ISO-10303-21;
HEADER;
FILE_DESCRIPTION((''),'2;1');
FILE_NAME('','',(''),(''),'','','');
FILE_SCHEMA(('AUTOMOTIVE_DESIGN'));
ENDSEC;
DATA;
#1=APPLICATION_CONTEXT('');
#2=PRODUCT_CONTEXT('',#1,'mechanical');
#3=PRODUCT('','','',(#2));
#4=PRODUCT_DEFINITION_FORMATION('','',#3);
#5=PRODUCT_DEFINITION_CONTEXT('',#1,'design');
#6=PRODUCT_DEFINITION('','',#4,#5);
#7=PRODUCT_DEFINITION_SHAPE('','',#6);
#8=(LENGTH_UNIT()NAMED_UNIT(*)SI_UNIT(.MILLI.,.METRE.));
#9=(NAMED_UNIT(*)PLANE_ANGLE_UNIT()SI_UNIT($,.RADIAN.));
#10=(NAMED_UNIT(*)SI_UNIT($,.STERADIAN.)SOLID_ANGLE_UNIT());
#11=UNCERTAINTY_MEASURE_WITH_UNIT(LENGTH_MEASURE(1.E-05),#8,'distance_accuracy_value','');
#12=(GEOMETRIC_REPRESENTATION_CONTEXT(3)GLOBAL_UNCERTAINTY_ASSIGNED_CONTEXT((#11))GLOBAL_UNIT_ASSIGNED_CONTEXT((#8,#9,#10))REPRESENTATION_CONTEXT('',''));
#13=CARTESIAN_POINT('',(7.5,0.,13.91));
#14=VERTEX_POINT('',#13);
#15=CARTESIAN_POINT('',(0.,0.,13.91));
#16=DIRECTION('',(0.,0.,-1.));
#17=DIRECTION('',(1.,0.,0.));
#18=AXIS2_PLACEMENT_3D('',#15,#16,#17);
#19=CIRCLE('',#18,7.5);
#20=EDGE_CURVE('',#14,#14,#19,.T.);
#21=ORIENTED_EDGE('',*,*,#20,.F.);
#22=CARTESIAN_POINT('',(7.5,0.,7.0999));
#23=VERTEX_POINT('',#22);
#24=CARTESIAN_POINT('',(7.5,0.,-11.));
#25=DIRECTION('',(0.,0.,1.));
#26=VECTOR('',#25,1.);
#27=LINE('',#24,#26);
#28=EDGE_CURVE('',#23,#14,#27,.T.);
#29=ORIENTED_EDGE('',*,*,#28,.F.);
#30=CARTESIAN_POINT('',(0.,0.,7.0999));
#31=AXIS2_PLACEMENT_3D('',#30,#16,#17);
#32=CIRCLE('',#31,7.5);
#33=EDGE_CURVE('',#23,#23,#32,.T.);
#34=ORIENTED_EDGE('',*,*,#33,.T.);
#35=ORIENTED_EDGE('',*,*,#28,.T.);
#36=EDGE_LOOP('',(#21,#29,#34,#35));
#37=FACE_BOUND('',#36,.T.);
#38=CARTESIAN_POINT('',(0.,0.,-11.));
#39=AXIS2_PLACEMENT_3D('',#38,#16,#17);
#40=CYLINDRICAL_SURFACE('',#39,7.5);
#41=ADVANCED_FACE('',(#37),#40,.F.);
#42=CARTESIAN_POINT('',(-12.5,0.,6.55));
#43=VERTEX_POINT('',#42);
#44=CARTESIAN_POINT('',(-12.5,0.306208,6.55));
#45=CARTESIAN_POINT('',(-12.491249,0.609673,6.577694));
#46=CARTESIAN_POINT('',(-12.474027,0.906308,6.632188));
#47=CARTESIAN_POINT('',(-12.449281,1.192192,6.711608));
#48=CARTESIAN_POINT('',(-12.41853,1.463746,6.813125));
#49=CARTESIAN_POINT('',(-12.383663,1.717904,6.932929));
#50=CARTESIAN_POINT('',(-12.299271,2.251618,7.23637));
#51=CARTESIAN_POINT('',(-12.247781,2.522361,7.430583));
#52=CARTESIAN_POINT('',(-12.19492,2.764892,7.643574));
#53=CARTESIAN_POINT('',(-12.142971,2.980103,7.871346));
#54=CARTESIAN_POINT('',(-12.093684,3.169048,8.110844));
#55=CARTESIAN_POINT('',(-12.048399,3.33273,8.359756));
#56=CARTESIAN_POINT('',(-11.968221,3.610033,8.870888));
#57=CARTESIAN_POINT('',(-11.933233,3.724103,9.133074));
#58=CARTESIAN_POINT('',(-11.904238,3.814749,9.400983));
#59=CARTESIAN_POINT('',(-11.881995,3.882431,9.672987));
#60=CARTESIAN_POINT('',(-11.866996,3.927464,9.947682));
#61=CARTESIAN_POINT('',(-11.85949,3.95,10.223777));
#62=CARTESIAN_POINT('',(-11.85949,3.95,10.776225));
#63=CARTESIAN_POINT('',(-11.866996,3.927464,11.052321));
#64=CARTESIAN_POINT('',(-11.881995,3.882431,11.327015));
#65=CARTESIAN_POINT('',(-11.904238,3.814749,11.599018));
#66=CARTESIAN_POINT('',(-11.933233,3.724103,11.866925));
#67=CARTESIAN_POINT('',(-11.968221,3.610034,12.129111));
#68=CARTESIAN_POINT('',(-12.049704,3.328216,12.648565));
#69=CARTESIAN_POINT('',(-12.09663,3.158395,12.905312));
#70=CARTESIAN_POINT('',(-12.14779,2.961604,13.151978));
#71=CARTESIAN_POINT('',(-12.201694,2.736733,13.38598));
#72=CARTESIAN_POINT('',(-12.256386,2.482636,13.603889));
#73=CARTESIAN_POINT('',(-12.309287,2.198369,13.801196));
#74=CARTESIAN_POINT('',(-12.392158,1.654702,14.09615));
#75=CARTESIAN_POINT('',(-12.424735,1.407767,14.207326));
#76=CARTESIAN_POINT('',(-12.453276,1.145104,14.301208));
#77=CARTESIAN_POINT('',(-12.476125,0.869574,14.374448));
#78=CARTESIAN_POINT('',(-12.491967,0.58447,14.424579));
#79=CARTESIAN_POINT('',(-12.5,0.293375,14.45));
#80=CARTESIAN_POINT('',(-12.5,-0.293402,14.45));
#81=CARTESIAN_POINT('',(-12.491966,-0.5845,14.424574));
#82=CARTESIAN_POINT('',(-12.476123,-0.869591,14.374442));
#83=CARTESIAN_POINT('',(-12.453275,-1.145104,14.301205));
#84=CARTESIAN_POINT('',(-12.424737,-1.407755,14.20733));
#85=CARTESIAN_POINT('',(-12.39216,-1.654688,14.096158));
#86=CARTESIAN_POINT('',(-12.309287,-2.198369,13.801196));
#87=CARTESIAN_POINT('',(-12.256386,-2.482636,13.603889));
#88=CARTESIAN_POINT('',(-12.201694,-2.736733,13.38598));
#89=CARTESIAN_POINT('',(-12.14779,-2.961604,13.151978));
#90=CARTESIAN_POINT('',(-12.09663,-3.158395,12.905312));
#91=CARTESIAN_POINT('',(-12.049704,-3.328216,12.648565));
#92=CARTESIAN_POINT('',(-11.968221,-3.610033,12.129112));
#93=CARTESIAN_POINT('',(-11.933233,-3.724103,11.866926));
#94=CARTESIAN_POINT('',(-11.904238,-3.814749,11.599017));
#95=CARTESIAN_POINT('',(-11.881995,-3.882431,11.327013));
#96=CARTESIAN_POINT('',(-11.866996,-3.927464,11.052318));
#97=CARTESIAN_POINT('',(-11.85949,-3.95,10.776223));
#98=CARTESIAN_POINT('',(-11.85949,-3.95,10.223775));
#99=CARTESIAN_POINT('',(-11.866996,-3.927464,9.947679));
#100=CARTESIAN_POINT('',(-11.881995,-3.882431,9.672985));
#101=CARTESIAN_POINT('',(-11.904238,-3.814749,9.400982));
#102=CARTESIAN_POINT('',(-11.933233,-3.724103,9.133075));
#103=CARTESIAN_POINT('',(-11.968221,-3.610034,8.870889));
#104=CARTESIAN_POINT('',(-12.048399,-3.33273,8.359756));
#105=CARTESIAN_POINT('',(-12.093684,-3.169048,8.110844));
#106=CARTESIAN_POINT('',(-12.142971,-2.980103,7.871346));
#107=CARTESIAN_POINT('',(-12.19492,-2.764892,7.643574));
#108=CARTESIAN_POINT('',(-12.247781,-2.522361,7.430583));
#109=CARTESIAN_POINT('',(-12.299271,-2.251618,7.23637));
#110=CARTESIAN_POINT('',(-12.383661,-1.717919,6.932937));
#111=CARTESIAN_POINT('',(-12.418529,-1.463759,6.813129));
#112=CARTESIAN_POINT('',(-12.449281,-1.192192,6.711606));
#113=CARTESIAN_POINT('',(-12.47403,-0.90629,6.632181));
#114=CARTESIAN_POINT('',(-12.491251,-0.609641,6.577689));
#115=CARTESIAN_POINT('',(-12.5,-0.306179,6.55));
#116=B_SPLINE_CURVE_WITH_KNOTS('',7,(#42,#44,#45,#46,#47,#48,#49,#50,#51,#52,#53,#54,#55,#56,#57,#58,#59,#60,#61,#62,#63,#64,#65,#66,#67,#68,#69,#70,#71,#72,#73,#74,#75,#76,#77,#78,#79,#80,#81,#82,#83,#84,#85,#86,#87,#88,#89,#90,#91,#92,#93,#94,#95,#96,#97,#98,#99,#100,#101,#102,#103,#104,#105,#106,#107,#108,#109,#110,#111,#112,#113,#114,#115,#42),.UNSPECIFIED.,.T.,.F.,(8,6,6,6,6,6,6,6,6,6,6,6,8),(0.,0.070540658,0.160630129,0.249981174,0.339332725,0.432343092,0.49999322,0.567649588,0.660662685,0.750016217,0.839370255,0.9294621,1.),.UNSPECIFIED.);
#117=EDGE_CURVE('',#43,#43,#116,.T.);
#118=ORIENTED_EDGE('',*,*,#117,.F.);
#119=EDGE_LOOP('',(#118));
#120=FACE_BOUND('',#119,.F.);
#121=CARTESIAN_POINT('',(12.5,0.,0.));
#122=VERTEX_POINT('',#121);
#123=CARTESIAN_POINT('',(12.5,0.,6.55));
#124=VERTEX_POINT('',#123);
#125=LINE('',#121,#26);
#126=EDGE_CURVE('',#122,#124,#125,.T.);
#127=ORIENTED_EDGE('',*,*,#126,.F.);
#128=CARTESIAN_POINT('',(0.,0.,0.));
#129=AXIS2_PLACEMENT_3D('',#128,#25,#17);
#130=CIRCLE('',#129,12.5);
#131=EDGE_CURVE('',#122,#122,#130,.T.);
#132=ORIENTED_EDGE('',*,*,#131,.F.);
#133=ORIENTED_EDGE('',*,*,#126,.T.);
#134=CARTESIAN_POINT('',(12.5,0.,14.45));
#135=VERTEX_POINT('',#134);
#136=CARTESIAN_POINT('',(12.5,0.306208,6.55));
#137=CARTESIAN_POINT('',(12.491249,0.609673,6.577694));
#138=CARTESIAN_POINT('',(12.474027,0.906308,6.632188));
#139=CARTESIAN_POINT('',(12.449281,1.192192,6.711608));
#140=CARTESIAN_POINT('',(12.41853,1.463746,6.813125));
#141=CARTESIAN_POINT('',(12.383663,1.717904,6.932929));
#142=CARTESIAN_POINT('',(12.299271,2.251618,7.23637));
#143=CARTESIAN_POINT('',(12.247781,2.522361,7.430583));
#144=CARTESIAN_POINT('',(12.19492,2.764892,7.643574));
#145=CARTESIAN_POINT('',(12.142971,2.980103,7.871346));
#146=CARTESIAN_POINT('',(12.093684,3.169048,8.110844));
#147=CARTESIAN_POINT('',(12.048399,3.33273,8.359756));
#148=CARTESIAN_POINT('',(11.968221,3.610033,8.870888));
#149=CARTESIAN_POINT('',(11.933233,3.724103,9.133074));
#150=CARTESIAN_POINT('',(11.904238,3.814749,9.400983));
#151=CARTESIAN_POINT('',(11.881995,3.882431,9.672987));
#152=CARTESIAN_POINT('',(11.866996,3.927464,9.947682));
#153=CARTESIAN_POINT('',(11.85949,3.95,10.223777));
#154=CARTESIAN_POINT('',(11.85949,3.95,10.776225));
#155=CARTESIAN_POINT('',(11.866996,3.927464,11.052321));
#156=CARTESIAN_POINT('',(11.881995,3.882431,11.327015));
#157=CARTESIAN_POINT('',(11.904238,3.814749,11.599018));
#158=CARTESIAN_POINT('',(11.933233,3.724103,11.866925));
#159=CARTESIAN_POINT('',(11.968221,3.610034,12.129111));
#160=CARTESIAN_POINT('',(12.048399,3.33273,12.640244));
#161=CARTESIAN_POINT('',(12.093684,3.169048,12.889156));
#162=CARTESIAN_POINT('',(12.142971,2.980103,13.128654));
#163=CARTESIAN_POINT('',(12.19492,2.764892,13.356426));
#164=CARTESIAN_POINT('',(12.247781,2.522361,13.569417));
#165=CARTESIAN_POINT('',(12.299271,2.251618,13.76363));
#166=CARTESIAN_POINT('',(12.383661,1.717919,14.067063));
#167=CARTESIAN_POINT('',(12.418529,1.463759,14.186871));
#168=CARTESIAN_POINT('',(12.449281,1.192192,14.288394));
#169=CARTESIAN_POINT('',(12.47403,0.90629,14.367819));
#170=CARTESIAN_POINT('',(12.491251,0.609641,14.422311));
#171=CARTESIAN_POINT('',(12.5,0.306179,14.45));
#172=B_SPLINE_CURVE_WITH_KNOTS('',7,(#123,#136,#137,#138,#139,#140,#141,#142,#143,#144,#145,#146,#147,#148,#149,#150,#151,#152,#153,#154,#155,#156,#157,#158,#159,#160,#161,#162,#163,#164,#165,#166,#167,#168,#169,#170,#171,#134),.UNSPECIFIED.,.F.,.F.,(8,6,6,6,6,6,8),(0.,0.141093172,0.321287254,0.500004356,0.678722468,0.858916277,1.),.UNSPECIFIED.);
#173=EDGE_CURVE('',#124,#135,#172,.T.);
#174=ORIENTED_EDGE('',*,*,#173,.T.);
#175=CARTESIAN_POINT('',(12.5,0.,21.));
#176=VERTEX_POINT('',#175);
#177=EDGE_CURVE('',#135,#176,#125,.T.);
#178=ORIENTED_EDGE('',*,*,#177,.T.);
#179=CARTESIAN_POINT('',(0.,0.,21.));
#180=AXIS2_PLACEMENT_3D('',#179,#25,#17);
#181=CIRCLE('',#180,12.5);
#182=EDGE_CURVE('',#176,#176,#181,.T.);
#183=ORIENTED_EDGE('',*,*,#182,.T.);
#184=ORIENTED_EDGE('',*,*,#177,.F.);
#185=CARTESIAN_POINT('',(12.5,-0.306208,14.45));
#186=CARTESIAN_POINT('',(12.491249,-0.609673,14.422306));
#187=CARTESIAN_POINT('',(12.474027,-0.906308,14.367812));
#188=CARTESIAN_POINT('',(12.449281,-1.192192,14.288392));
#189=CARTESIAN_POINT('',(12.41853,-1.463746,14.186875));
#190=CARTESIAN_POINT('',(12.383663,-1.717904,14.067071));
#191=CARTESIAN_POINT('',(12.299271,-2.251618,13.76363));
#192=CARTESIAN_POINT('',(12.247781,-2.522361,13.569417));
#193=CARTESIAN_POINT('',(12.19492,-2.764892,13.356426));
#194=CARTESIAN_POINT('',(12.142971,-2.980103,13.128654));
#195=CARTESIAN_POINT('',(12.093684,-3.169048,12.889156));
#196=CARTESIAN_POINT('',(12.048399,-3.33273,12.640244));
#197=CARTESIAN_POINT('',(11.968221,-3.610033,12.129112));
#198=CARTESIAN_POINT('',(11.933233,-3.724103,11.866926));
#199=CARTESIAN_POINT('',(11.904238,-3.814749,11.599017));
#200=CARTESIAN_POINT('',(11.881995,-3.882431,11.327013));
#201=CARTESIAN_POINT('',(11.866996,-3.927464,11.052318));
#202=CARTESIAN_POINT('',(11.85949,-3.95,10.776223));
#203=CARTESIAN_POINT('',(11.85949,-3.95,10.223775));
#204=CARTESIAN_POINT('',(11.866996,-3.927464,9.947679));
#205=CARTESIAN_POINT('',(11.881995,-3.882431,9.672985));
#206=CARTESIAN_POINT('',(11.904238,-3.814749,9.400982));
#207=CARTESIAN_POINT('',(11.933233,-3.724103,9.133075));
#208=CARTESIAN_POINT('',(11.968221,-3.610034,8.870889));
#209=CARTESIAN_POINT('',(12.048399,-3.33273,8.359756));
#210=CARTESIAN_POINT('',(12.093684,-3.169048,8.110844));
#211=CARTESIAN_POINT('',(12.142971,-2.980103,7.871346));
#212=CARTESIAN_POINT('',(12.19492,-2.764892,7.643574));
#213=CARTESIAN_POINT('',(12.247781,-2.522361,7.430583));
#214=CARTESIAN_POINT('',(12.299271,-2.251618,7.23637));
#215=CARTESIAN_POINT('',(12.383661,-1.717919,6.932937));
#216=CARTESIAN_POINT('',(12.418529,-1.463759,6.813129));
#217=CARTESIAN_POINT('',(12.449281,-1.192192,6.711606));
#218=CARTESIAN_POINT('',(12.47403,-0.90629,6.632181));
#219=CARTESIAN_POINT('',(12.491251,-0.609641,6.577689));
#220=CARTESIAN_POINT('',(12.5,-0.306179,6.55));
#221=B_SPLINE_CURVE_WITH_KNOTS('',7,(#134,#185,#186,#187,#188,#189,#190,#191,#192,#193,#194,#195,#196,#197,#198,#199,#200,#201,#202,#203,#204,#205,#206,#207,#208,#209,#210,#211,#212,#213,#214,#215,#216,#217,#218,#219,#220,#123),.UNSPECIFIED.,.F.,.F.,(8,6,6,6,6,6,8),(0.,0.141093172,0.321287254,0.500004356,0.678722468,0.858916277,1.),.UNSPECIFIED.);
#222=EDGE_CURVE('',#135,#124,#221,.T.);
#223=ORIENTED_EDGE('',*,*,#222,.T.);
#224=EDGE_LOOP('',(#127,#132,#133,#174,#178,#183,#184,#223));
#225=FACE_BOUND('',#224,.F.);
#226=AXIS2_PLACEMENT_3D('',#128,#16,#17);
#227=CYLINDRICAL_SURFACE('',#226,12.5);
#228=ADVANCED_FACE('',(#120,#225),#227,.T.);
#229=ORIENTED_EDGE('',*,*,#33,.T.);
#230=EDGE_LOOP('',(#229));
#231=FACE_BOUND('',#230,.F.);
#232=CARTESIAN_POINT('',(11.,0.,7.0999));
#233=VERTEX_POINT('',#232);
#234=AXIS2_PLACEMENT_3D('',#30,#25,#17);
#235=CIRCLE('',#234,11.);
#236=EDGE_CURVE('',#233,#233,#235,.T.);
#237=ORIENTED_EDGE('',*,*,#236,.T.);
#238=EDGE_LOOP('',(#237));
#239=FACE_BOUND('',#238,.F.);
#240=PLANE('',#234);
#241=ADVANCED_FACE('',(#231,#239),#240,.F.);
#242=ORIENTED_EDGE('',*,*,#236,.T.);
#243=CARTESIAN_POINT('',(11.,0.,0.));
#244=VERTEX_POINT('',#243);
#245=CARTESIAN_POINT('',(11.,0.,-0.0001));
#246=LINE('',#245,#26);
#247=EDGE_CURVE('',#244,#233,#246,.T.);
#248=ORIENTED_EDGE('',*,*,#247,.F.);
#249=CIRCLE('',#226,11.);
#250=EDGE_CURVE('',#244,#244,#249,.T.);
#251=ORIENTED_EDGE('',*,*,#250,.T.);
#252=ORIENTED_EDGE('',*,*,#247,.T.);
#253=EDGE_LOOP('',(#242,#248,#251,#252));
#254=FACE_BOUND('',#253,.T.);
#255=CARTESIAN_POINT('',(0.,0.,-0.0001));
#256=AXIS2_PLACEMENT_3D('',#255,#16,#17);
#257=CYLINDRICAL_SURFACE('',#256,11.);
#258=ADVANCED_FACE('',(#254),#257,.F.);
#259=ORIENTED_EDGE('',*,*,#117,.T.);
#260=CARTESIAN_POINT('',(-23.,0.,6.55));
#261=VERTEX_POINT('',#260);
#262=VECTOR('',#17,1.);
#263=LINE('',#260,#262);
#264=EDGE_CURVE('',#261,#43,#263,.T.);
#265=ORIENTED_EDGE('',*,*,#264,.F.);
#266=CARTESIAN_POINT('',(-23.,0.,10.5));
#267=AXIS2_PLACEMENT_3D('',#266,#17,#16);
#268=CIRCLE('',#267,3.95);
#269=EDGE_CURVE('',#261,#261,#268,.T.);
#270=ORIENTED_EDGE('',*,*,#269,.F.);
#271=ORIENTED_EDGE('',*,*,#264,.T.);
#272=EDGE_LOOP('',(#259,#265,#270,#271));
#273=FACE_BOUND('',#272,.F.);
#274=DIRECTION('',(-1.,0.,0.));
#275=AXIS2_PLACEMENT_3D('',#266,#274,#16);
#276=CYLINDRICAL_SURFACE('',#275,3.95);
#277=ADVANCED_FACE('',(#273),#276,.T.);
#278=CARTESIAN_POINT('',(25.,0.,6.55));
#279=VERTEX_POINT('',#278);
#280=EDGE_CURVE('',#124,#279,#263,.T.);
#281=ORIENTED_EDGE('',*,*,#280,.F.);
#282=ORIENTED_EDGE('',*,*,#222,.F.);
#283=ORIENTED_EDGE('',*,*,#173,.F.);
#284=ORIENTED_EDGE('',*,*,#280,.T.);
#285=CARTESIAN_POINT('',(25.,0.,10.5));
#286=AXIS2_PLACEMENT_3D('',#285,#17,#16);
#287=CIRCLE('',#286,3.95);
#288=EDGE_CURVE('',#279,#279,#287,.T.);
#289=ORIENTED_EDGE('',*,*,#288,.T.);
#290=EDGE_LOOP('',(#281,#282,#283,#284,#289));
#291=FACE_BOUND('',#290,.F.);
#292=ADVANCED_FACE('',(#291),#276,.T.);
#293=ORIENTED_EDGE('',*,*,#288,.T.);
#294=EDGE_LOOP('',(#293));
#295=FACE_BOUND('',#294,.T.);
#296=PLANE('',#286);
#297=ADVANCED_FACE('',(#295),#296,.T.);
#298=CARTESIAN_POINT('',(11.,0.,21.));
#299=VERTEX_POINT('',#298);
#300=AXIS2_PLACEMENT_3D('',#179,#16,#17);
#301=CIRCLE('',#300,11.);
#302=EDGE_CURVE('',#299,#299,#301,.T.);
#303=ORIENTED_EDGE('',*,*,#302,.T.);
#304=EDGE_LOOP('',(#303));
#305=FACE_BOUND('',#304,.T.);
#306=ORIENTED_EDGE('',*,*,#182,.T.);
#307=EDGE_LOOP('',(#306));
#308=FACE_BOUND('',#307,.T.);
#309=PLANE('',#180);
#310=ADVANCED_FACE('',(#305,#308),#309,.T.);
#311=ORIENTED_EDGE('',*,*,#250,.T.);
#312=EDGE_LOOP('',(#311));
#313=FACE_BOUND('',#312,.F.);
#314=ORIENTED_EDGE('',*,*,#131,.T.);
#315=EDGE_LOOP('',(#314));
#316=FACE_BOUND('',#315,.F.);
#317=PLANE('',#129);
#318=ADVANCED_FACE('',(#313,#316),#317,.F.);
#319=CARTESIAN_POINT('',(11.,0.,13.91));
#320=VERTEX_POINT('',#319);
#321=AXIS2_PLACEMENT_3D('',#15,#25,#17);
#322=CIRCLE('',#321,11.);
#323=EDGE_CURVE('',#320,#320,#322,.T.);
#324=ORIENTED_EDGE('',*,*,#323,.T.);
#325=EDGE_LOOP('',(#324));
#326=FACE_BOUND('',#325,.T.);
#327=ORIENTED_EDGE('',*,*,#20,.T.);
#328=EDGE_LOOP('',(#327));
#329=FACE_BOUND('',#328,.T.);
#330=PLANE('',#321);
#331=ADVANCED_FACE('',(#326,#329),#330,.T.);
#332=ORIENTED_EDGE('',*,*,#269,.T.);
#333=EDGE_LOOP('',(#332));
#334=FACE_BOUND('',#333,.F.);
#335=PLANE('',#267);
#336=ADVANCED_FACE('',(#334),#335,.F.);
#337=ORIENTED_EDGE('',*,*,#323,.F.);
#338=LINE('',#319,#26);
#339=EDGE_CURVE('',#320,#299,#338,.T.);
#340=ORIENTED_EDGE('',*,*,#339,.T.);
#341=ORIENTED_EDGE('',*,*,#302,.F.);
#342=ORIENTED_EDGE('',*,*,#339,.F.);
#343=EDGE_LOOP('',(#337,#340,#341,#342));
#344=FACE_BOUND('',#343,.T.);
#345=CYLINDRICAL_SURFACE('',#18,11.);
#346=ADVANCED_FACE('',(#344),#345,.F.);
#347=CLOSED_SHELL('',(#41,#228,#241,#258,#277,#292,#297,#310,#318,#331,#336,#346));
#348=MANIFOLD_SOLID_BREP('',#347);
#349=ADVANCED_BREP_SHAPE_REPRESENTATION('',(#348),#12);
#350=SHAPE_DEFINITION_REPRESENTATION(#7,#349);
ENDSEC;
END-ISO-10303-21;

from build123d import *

# Parameters (mm, degrees)
CYLINDER001_R           = 7.5
CYLINDER001_DEPTH       = 50
CYLINDER003_R           = 11
CYLINDER003_DEPTH       = 7.1
CYLINDER002_R           = 11
CYLINDER002_DEPTH       = 7.1
CYLINDER004_R           = 3.95
CYLINDER004_DEPTH       = 48
CYLINDER004_PITCH_ANGLE = 90
CYLINDER_R              = 12.5
CYLINDER_DEPTH          = 21


with BuildPart() as cylindre001:
    # Cylinder001 → Cylinder001 (new body)
    with BuildSketch(Plane.XY.offset(-11)):
        Circle(CYLINDER001_R)
    extrude(amount=CYLINDER001_DEPTH)


with BuildPart() as cylindre003:
    # Cylinder003 → Cylinder003 (new body)
    with BuildSketch(Plane.XY.offset(13.91)):
        Circle(CYLINDER003_R)
    extrude(amount=CYLINDER003_DEPTH)


with BuildPart() as cylindre002:
    # Cylinder002 → Cylinder002 (new body)
    with BuildSketch(Plane.XY.offset(-0.0001)):
        Circle(CYLINDER002_R)
    extrude(amount=CYLINDER002_DEPTH)


with BuildPart() as axe_rotation:
    # Cylinder004 → Cylinder004 (new body)
    with BuildSketch(Plane.XY):
        Circle(CYLINDER004_R)
    extrude(amount=CYLINDER004_DEPTH)


with BuildPart() as axe_rotation_1:
    # Cylinder004 pitch: moved
    add(axe_rotation.part.rotate(Axis((0, 0, 0), (0, 1, 0)), CYLINDER004_PITCH_ANGLE))


with BuildPart() as axe_rotation_2:
    # Cylinder004 placement: moved
    add(axe_rotation_1.part.moved(Location((-23, 0, 10.5))))


with BuildPart() as centrale:
    # Cylinder → Cylinder (new body)
    with BuildSketch(Plane.XY):
        Circle(CYLINDER_R)
    extrude(amount=CYLINDER_DEPTH)

    # Fusion: union Axe rotation
    add(axe_rotation_2.part)

    # Cut003: cut Cylindre002
    add(cylindre002.part, mode=Mode.SUBTRACT)

    # Cut004: cut Cylindre003
    add(cylindre003.part, mode=Mode.SUBTRACT)

    # Cut005: cut Cylindre001
    add(cylindre001.part, mode=Mode.SUBTRACT)


solid = centrale.part
